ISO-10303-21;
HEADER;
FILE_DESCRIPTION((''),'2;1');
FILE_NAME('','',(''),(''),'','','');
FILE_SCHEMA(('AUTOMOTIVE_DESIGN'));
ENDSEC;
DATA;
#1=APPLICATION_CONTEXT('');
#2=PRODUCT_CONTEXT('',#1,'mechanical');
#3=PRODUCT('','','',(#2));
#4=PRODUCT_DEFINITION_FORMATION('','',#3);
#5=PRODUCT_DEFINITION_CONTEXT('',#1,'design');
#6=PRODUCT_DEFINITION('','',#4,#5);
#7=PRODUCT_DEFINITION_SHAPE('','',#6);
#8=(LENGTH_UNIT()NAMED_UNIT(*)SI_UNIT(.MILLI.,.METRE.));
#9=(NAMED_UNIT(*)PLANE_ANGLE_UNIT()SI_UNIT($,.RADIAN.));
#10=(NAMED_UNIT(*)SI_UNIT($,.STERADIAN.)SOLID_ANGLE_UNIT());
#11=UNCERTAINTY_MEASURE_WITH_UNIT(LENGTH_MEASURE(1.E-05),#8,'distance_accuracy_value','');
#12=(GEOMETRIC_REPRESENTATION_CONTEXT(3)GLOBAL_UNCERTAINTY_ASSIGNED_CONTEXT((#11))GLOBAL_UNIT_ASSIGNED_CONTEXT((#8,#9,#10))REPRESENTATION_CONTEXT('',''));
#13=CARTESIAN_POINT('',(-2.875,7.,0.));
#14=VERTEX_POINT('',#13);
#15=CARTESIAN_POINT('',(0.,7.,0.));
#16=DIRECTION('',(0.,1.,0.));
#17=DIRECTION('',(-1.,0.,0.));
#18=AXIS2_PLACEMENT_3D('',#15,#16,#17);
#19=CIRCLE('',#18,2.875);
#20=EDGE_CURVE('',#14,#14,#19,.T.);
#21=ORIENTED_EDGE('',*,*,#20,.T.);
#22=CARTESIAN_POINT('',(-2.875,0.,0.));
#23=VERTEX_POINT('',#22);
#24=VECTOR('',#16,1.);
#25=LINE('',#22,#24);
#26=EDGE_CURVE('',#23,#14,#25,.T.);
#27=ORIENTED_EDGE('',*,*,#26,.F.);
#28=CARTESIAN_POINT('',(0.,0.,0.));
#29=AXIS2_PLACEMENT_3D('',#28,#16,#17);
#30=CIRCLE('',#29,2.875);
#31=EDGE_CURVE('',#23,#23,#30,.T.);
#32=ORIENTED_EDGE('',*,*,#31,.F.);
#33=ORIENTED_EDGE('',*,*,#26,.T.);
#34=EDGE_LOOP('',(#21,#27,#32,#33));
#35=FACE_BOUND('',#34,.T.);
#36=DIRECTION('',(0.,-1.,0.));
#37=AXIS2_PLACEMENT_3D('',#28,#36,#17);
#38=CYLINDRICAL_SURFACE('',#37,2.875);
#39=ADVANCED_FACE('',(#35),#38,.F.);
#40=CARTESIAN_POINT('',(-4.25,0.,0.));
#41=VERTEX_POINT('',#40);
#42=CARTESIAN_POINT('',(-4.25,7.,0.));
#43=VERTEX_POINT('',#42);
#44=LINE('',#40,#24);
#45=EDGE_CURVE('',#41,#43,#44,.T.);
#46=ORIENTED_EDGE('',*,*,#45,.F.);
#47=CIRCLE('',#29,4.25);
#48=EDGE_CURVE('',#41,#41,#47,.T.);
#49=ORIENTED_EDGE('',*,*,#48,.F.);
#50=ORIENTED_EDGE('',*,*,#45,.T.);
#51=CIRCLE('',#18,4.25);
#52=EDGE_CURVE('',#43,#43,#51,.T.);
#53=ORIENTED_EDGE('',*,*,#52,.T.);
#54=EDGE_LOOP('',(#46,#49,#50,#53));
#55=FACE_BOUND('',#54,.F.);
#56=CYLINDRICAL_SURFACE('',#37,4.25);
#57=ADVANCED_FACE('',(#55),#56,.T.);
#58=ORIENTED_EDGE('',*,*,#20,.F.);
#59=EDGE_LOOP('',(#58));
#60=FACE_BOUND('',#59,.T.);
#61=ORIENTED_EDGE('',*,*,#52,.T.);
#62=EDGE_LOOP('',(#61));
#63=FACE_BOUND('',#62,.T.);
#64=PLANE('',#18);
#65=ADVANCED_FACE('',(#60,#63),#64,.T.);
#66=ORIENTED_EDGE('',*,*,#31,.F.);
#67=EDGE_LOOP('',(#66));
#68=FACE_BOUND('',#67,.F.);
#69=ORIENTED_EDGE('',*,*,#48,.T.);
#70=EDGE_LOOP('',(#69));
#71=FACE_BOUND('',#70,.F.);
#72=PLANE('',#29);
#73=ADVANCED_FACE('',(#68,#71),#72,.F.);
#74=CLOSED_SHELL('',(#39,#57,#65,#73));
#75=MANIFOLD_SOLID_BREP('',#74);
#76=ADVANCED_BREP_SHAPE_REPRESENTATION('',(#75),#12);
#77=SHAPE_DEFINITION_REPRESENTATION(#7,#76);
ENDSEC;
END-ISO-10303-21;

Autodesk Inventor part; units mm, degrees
ref_plane "YZ Plane" through (0, 0, 0) normal (1, 0, 0) x (0, 1, 0)
ref_plane "XZ Plane" through (0, 0, 0) normal (0, 1, 0) x (-1, 0, 0)
ref_plane "XY Plane" through (0, 0, 0) normal (0, 0, 1) x (1, 0, 0)
sketch "Sketch1" plane through (0, 0, 0) normal (0, 1, 0) x (-1, 0, 0)
  circle A0 centre (0, 0) radius 2.875
  line L0 (0, 0) -> (5.12, 0) construction
  circle A1 centre (0, 0) radius 4.25
  dimension "d0" = 5.75
  dimension "d3" = 8.5
extrude "Extrusion1" add sketch "Sketch1" along normal blind 7
properties part number "Sensor Cover 6mm"
